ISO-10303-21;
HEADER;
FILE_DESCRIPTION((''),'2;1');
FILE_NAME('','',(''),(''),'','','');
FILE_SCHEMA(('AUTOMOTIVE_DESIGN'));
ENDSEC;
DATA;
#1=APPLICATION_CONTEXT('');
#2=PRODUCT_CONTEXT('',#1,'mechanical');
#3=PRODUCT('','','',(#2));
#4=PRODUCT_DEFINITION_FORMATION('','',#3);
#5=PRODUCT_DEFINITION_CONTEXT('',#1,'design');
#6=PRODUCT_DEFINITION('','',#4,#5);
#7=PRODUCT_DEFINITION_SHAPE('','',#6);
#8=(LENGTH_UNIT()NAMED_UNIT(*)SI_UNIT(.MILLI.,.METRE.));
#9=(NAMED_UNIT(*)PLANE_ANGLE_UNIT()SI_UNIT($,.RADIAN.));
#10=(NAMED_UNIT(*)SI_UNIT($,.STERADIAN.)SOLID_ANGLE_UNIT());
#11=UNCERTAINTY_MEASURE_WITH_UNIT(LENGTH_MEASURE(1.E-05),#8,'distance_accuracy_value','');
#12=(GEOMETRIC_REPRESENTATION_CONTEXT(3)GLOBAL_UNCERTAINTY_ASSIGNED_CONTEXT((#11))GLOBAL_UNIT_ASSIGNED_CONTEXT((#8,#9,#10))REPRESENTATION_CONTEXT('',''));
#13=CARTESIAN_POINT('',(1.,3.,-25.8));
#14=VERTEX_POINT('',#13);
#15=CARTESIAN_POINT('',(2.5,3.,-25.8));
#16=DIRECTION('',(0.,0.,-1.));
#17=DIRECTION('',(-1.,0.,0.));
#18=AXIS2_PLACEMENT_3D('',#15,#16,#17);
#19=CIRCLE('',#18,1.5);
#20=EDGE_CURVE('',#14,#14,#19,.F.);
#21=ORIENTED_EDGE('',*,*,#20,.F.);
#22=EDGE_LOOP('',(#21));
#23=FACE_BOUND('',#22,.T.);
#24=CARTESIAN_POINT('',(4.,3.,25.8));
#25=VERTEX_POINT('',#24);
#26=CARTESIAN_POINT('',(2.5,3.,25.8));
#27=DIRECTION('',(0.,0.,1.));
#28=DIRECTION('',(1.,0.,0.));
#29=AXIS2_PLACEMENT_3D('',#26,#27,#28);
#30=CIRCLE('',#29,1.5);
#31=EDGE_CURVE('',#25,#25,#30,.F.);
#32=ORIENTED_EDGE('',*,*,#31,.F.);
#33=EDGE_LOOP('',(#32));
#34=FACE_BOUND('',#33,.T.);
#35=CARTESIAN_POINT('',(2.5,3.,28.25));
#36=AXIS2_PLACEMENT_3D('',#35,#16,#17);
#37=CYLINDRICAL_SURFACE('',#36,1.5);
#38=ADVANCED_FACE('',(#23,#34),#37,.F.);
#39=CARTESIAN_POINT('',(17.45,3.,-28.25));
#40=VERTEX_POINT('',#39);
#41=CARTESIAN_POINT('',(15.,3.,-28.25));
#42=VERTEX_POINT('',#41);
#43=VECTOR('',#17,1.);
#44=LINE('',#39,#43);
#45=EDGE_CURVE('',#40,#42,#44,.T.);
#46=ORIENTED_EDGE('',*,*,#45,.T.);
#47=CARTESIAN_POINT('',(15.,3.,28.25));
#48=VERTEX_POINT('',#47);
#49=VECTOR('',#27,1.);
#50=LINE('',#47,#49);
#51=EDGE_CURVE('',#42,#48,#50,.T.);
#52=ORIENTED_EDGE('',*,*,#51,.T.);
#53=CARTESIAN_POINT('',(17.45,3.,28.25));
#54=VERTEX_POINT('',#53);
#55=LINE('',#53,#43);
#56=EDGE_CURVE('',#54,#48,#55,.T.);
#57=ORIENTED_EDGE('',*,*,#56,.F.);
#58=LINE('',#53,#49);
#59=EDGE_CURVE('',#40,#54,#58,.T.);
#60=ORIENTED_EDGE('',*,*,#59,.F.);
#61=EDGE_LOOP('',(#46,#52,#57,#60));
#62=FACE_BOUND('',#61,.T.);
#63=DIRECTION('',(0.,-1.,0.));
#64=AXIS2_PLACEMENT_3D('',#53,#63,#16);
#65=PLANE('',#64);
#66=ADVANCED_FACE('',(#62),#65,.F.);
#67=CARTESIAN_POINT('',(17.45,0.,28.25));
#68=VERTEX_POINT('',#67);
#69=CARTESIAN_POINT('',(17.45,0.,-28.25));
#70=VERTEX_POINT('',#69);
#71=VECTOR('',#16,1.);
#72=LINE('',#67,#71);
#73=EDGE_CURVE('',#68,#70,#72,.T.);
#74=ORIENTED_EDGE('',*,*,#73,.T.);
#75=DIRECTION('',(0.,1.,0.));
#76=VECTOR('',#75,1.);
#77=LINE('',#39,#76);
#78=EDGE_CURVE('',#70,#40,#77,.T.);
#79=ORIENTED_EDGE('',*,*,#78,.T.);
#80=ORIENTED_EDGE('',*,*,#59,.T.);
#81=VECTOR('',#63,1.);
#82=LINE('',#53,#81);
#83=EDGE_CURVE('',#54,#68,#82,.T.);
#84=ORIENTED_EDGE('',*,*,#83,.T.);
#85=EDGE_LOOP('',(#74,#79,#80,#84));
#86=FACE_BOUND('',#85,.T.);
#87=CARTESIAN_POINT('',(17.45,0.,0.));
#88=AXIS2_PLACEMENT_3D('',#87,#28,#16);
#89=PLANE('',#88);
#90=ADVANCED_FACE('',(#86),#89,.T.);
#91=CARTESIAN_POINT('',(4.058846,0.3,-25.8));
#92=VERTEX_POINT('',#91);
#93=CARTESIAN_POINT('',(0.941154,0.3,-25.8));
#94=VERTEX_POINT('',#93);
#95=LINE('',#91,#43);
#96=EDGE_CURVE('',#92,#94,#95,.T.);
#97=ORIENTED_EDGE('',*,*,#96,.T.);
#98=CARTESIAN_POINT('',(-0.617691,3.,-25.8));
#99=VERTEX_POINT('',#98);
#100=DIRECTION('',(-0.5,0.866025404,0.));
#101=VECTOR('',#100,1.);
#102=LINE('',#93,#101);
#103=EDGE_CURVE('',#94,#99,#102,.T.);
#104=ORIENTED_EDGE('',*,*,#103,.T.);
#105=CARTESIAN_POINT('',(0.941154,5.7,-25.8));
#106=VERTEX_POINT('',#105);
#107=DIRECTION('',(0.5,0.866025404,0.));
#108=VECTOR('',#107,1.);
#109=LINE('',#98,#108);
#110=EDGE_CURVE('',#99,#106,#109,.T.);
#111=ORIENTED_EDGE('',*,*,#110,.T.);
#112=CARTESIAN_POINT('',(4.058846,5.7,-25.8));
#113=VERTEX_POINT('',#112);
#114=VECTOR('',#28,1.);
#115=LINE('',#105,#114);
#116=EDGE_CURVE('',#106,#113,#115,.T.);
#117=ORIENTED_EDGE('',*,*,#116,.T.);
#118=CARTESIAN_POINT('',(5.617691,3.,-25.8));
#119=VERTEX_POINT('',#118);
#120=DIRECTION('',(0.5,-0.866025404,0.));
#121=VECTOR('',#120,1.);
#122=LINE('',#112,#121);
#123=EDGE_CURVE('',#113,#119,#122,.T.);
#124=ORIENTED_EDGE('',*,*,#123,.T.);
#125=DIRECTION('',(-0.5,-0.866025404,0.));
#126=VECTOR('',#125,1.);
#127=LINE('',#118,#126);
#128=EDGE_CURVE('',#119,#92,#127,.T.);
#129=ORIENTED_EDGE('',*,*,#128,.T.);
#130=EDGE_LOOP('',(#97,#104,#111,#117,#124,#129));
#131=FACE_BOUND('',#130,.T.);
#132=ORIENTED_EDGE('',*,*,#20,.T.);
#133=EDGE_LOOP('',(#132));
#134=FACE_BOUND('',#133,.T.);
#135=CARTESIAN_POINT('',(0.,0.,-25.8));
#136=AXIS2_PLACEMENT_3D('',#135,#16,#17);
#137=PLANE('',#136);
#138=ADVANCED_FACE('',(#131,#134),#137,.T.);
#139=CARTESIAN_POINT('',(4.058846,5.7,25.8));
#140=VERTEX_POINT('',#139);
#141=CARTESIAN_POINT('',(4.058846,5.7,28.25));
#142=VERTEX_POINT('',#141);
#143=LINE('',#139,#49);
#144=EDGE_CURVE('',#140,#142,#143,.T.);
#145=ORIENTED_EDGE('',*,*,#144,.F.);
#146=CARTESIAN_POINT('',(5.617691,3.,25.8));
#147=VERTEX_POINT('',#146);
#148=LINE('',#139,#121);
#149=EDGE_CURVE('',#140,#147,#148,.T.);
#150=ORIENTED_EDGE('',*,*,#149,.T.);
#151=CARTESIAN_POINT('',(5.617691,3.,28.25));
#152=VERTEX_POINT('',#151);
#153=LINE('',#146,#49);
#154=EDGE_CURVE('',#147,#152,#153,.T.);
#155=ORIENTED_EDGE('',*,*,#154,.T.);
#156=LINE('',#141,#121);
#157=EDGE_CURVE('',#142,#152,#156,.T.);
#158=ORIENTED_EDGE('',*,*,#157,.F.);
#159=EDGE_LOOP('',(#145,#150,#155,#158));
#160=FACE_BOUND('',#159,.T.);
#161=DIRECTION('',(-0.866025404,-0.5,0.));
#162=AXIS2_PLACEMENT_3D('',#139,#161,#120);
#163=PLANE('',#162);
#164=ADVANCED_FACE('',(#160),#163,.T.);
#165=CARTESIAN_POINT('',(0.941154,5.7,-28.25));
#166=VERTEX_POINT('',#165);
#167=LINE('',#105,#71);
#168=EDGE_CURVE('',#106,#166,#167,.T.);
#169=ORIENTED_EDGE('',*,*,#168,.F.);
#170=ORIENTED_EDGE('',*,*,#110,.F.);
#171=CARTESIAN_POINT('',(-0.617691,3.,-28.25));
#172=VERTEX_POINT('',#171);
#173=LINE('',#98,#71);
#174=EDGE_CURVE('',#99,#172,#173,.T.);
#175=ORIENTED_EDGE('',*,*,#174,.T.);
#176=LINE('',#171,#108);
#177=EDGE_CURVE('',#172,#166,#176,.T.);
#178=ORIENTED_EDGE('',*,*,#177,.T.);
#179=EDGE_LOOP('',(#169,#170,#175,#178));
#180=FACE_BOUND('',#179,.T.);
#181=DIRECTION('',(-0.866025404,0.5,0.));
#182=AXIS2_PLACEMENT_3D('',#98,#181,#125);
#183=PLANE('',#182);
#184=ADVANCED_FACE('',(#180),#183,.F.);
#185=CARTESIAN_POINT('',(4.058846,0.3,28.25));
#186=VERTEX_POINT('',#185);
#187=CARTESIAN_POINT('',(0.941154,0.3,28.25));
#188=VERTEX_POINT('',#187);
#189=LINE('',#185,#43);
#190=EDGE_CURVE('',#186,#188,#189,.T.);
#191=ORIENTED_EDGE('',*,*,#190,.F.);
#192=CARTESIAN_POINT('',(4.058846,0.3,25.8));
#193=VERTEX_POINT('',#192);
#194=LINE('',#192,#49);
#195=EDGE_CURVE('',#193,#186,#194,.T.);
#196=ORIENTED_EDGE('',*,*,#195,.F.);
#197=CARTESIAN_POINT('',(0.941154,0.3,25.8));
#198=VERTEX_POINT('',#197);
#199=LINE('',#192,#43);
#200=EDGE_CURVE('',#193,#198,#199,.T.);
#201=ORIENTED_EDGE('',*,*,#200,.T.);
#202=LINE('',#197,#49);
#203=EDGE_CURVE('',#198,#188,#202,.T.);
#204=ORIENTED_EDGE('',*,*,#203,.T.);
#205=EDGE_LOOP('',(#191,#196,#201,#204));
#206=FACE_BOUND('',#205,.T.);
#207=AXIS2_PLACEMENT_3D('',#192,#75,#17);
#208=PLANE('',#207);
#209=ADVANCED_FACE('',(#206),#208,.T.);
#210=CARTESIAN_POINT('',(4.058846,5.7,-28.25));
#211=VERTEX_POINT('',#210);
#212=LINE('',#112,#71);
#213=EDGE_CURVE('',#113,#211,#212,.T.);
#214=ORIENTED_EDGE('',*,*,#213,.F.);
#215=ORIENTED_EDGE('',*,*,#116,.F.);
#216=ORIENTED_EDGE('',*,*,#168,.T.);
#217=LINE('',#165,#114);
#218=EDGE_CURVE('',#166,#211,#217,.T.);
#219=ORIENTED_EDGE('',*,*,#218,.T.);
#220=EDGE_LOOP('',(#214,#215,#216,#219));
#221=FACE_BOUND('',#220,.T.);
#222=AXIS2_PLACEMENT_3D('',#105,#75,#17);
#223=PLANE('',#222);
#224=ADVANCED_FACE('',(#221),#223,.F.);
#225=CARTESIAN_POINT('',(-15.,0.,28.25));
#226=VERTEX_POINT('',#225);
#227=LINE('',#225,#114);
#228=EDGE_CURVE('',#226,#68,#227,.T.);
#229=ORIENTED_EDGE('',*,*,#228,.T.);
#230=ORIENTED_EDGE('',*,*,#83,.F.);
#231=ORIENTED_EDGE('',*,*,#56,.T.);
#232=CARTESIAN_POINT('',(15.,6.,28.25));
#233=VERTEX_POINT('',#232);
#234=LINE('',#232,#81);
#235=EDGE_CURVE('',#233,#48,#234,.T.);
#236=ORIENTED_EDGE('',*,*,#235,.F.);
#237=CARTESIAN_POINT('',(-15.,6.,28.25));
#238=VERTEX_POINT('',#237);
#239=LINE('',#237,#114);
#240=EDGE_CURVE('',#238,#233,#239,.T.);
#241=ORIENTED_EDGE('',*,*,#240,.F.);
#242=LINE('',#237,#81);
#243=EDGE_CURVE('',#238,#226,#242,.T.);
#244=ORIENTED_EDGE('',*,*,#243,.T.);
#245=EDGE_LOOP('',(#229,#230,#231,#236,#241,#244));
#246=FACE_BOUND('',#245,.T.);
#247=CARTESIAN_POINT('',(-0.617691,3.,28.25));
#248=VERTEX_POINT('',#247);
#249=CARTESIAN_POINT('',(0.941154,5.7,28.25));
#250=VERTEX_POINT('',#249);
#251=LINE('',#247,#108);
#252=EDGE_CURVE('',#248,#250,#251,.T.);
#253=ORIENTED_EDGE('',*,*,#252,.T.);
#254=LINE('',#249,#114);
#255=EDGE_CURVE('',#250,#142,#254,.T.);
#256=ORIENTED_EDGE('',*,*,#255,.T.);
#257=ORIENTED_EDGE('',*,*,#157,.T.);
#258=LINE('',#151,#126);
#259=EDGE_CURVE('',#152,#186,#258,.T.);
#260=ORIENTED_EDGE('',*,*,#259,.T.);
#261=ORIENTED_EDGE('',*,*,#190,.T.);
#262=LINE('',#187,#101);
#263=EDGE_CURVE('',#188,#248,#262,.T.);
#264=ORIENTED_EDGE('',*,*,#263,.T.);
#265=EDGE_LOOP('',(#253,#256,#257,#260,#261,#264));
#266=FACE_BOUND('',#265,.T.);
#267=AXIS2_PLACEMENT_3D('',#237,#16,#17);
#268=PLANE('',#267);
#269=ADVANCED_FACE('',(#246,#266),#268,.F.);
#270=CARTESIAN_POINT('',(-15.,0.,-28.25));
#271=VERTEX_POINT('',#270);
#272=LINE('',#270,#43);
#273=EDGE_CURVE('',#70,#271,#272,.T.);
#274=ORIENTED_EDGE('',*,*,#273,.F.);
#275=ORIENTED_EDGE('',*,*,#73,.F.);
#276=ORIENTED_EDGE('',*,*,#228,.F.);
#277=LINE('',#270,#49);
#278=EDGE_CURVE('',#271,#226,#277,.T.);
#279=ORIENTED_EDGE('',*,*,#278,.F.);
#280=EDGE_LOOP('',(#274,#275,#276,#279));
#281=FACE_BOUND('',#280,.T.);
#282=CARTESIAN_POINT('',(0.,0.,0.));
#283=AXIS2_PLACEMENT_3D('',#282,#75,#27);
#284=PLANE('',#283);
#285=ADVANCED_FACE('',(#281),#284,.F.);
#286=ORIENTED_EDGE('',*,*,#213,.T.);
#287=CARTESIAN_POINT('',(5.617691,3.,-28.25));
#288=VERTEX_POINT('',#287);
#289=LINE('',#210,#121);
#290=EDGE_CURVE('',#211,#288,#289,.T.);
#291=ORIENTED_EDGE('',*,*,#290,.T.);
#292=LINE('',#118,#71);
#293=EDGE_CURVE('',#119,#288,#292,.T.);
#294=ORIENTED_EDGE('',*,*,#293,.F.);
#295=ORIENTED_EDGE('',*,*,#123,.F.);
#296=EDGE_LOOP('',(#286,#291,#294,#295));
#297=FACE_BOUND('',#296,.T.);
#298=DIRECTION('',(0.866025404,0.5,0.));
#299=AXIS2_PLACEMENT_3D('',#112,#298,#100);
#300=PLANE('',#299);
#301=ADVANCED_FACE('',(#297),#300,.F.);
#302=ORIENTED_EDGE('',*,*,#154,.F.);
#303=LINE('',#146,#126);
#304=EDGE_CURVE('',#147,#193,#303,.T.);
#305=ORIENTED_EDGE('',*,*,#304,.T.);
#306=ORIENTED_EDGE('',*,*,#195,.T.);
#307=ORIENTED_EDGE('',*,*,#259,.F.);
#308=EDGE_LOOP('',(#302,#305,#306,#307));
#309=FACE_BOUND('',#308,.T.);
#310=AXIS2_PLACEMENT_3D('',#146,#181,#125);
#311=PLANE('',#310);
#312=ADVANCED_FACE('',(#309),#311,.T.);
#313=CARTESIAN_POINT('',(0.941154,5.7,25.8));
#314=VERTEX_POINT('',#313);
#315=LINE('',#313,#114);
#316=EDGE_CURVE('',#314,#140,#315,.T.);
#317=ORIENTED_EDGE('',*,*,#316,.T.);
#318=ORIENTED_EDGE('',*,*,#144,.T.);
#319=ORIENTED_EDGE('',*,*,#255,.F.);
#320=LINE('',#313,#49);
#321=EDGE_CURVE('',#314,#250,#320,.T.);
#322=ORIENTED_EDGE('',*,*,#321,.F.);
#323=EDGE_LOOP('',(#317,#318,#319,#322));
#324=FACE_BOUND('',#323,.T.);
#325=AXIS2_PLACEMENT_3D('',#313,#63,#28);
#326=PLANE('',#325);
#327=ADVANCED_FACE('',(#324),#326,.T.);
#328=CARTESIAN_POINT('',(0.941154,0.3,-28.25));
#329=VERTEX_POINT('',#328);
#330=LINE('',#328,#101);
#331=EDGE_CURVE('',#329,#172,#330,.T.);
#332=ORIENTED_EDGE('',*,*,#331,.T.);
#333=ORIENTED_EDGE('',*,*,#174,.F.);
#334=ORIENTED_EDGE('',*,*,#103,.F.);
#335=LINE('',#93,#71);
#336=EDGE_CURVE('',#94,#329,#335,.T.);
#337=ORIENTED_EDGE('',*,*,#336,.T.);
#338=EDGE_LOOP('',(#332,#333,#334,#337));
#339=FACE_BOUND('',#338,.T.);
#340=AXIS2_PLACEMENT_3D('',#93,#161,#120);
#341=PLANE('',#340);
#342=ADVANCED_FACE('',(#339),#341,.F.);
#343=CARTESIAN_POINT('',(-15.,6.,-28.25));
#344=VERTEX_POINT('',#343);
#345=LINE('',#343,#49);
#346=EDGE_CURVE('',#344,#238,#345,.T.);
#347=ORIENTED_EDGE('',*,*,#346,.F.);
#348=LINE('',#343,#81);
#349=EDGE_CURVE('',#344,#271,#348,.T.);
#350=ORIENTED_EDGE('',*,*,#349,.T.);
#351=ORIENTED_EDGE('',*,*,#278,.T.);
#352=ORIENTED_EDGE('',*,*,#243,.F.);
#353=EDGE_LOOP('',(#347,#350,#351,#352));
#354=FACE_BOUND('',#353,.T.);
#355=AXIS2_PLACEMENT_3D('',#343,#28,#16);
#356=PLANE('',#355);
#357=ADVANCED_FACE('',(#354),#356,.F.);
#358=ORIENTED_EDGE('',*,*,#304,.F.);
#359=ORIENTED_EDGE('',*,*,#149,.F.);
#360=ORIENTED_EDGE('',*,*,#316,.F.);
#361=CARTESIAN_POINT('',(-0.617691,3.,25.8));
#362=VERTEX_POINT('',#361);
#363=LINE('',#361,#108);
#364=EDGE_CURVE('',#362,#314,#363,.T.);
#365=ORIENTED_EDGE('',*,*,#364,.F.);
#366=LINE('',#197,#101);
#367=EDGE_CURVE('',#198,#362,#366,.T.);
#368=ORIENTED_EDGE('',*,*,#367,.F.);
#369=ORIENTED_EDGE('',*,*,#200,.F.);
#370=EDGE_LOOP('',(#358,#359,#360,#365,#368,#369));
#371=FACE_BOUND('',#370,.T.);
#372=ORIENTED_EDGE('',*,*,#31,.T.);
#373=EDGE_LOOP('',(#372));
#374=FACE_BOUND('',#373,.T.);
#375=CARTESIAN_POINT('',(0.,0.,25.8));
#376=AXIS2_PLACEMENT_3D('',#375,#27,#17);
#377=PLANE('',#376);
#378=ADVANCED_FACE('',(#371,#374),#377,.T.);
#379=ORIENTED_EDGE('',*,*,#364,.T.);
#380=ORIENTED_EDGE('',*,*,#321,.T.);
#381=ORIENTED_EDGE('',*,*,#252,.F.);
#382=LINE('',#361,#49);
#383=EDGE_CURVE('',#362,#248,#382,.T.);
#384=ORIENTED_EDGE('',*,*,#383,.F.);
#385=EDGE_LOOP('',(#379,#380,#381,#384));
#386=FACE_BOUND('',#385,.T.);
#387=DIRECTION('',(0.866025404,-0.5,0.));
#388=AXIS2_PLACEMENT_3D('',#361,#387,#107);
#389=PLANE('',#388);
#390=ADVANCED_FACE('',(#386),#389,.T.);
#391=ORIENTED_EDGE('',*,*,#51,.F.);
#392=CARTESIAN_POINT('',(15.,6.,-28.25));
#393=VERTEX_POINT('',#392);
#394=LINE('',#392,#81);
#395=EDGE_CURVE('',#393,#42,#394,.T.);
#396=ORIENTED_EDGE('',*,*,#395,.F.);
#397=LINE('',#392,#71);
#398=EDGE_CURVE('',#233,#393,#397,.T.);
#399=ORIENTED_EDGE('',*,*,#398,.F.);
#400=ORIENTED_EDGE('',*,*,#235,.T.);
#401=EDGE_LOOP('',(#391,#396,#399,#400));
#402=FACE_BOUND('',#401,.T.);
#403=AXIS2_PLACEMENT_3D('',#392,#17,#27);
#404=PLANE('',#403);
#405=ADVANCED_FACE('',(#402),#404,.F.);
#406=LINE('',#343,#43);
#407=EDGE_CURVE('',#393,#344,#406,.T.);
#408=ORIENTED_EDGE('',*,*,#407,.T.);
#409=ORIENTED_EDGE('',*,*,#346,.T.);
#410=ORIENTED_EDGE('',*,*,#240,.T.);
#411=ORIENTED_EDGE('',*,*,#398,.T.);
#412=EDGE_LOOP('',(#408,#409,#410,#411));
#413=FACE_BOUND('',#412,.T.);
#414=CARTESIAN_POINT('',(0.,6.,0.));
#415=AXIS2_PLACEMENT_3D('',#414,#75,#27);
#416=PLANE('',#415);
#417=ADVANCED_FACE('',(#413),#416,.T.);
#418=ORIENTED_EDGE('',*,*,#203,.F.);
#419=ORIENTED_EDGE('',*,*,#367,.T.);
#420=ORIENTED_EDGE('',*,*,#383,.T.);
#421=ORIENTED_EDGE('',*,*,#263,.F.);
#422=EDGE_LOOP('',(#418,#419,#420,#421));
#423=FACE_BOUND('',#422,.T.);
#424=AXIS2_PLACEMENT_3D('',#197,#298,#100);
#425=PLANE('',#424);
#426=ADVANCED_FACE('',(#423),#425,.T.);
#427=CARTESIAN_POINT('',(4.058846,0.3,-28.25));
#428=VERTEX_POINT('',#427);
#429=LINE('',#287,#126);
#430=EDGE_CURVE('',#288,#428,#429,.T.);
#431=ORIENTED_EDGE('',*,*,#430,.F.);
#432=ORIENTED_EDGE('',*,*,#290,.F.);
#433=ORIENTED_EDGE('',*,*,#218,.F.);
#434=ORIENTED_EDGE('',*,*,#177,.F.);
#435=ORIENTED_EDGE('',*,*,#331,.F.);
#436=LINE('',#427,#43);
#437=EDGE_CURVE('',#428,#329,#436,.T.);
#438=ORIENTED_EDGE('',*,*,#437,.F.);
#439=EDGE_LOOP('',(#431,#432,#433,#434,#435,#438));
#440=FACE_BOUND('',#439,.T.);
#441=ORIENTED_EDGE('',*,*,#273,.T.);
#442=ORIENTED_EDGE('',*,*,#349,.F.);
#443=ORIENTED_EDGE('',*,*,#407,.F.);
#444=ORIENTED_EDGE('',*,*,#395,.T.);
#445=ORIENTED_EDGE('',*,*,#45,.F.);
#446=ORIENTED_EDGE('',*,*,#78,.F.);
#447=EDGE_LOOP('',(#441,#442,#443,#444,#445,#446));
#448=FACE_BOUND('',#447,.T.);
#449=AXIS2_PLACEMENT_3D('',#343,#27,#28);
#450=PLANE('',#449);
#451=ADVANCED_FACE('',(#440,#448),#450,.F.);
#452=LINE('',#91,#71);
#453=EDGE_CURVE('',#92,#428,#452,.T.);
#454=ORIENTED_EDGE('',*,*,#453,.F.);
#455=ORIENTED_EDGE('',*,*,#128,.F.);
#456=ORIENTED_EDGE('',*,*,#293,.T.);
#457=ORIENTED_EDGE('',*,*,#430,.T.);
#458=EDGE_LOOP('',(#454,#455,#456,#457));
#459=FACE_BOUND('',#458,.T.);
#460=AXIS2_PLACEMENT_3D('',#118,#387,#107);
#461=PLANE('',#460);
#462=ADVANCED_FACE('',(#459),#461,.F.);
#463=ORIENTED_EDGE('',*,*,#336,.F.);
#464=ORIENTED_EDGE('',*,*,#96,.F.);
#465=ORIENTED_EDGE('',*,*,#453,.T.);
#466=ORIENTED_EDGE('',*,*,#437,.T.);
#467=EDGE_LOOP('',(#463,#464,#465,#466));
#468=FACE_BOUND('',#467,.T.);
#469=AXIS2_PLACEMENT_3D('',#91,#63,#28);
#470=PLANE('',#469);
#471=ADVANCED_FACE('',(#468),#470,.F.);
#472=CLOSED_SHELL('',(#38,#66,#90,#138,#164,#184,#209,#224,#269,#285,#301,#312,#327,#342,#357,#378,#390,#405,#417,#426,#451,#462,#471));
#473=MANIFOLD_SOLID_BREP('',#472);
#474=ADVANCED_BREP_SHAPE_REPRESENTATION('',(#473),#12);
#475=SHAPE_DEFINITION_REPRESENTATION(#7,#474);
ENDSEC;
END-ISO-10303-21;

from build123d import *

# Parameters (mm, degrees)
SKETCH1_W           = 30
SKETCH1_H           = 56.5
BOSS_EXTRUDE1_DEPTH = 6
SKETCH8_W           = 56.5
SKETCH8_H           = 3
BOSS_EXTRUDE3_DEPTH = 2.45
SKETCH9_R           = 1.5
CUT_EXTRUDE3_DEPTH  = 60.436962406
CUT_EXTRUDE4_DEPTH  = 2.45


with BuildPart() as part:
    # Sketch1 → Boss-Extrude1 (new body)
    with BuildSketch(Plane(origin=(0, 0, 0), x_dir=(1, 0, 0), z_dir=(0, 1, 0))):
        Rectangle(SKETCH1_W, SKETCH1_H)
    extrude(amount=BOSS_EXTRUDE1_DEPTH)

    # Sketch8 → Boss-Extrude3 (add)
    with BuildSketch(Plane(origin=(15, 0, 0), x_dir=(0, 0, -1), z_dir=(1, 0, 0))):
        with Locations((0, 1.5)):
            Rectangle(SKETCH8_W, SKETCH8_H)
    extrude(amount=BOSS_EXTRUDE3_DEPTH)

    # Sketch9 → Cut-Extrude3 (cut, through all)
    with BuildSketch(Plane(origin=(0, 0, -28.25), x_dir=(-1, 0, 0), z_dir=(0, 0, -1))):
        with Locations((-2.5, 3)):
            Circle(SKETCH9_R)
    extrude(amount=-CUT_EXTRUDE3_DEPTH, mode=Mode.SUBTRACT)

    # Sketch10 → Cut-Extrude4 (cut)
    with BuildSketch(Plane(origin=(0, 0, -28.25), x_dir=(-1, 0, 0), z_dir=(0, 0, -1))):
        Polygon((-0.941154273, 0.3), (0.617691454, 3), (-0.941154273, 5.7), (-4.058845727, 5.7), (-5.617691454, 3), (-4.058845727, 0.3), align=None)
    cut_extrude4 = extrude(amount=-CUT_EXTRUDE4_DEPTH, mode=Mode.SUBTRACT)

    # Mirror2: Cut-Extrude4 across plane
    add(cut_extrude4.mirror(Plane.XY), mode=Mode.SUBTRACT)


solid = part.part
